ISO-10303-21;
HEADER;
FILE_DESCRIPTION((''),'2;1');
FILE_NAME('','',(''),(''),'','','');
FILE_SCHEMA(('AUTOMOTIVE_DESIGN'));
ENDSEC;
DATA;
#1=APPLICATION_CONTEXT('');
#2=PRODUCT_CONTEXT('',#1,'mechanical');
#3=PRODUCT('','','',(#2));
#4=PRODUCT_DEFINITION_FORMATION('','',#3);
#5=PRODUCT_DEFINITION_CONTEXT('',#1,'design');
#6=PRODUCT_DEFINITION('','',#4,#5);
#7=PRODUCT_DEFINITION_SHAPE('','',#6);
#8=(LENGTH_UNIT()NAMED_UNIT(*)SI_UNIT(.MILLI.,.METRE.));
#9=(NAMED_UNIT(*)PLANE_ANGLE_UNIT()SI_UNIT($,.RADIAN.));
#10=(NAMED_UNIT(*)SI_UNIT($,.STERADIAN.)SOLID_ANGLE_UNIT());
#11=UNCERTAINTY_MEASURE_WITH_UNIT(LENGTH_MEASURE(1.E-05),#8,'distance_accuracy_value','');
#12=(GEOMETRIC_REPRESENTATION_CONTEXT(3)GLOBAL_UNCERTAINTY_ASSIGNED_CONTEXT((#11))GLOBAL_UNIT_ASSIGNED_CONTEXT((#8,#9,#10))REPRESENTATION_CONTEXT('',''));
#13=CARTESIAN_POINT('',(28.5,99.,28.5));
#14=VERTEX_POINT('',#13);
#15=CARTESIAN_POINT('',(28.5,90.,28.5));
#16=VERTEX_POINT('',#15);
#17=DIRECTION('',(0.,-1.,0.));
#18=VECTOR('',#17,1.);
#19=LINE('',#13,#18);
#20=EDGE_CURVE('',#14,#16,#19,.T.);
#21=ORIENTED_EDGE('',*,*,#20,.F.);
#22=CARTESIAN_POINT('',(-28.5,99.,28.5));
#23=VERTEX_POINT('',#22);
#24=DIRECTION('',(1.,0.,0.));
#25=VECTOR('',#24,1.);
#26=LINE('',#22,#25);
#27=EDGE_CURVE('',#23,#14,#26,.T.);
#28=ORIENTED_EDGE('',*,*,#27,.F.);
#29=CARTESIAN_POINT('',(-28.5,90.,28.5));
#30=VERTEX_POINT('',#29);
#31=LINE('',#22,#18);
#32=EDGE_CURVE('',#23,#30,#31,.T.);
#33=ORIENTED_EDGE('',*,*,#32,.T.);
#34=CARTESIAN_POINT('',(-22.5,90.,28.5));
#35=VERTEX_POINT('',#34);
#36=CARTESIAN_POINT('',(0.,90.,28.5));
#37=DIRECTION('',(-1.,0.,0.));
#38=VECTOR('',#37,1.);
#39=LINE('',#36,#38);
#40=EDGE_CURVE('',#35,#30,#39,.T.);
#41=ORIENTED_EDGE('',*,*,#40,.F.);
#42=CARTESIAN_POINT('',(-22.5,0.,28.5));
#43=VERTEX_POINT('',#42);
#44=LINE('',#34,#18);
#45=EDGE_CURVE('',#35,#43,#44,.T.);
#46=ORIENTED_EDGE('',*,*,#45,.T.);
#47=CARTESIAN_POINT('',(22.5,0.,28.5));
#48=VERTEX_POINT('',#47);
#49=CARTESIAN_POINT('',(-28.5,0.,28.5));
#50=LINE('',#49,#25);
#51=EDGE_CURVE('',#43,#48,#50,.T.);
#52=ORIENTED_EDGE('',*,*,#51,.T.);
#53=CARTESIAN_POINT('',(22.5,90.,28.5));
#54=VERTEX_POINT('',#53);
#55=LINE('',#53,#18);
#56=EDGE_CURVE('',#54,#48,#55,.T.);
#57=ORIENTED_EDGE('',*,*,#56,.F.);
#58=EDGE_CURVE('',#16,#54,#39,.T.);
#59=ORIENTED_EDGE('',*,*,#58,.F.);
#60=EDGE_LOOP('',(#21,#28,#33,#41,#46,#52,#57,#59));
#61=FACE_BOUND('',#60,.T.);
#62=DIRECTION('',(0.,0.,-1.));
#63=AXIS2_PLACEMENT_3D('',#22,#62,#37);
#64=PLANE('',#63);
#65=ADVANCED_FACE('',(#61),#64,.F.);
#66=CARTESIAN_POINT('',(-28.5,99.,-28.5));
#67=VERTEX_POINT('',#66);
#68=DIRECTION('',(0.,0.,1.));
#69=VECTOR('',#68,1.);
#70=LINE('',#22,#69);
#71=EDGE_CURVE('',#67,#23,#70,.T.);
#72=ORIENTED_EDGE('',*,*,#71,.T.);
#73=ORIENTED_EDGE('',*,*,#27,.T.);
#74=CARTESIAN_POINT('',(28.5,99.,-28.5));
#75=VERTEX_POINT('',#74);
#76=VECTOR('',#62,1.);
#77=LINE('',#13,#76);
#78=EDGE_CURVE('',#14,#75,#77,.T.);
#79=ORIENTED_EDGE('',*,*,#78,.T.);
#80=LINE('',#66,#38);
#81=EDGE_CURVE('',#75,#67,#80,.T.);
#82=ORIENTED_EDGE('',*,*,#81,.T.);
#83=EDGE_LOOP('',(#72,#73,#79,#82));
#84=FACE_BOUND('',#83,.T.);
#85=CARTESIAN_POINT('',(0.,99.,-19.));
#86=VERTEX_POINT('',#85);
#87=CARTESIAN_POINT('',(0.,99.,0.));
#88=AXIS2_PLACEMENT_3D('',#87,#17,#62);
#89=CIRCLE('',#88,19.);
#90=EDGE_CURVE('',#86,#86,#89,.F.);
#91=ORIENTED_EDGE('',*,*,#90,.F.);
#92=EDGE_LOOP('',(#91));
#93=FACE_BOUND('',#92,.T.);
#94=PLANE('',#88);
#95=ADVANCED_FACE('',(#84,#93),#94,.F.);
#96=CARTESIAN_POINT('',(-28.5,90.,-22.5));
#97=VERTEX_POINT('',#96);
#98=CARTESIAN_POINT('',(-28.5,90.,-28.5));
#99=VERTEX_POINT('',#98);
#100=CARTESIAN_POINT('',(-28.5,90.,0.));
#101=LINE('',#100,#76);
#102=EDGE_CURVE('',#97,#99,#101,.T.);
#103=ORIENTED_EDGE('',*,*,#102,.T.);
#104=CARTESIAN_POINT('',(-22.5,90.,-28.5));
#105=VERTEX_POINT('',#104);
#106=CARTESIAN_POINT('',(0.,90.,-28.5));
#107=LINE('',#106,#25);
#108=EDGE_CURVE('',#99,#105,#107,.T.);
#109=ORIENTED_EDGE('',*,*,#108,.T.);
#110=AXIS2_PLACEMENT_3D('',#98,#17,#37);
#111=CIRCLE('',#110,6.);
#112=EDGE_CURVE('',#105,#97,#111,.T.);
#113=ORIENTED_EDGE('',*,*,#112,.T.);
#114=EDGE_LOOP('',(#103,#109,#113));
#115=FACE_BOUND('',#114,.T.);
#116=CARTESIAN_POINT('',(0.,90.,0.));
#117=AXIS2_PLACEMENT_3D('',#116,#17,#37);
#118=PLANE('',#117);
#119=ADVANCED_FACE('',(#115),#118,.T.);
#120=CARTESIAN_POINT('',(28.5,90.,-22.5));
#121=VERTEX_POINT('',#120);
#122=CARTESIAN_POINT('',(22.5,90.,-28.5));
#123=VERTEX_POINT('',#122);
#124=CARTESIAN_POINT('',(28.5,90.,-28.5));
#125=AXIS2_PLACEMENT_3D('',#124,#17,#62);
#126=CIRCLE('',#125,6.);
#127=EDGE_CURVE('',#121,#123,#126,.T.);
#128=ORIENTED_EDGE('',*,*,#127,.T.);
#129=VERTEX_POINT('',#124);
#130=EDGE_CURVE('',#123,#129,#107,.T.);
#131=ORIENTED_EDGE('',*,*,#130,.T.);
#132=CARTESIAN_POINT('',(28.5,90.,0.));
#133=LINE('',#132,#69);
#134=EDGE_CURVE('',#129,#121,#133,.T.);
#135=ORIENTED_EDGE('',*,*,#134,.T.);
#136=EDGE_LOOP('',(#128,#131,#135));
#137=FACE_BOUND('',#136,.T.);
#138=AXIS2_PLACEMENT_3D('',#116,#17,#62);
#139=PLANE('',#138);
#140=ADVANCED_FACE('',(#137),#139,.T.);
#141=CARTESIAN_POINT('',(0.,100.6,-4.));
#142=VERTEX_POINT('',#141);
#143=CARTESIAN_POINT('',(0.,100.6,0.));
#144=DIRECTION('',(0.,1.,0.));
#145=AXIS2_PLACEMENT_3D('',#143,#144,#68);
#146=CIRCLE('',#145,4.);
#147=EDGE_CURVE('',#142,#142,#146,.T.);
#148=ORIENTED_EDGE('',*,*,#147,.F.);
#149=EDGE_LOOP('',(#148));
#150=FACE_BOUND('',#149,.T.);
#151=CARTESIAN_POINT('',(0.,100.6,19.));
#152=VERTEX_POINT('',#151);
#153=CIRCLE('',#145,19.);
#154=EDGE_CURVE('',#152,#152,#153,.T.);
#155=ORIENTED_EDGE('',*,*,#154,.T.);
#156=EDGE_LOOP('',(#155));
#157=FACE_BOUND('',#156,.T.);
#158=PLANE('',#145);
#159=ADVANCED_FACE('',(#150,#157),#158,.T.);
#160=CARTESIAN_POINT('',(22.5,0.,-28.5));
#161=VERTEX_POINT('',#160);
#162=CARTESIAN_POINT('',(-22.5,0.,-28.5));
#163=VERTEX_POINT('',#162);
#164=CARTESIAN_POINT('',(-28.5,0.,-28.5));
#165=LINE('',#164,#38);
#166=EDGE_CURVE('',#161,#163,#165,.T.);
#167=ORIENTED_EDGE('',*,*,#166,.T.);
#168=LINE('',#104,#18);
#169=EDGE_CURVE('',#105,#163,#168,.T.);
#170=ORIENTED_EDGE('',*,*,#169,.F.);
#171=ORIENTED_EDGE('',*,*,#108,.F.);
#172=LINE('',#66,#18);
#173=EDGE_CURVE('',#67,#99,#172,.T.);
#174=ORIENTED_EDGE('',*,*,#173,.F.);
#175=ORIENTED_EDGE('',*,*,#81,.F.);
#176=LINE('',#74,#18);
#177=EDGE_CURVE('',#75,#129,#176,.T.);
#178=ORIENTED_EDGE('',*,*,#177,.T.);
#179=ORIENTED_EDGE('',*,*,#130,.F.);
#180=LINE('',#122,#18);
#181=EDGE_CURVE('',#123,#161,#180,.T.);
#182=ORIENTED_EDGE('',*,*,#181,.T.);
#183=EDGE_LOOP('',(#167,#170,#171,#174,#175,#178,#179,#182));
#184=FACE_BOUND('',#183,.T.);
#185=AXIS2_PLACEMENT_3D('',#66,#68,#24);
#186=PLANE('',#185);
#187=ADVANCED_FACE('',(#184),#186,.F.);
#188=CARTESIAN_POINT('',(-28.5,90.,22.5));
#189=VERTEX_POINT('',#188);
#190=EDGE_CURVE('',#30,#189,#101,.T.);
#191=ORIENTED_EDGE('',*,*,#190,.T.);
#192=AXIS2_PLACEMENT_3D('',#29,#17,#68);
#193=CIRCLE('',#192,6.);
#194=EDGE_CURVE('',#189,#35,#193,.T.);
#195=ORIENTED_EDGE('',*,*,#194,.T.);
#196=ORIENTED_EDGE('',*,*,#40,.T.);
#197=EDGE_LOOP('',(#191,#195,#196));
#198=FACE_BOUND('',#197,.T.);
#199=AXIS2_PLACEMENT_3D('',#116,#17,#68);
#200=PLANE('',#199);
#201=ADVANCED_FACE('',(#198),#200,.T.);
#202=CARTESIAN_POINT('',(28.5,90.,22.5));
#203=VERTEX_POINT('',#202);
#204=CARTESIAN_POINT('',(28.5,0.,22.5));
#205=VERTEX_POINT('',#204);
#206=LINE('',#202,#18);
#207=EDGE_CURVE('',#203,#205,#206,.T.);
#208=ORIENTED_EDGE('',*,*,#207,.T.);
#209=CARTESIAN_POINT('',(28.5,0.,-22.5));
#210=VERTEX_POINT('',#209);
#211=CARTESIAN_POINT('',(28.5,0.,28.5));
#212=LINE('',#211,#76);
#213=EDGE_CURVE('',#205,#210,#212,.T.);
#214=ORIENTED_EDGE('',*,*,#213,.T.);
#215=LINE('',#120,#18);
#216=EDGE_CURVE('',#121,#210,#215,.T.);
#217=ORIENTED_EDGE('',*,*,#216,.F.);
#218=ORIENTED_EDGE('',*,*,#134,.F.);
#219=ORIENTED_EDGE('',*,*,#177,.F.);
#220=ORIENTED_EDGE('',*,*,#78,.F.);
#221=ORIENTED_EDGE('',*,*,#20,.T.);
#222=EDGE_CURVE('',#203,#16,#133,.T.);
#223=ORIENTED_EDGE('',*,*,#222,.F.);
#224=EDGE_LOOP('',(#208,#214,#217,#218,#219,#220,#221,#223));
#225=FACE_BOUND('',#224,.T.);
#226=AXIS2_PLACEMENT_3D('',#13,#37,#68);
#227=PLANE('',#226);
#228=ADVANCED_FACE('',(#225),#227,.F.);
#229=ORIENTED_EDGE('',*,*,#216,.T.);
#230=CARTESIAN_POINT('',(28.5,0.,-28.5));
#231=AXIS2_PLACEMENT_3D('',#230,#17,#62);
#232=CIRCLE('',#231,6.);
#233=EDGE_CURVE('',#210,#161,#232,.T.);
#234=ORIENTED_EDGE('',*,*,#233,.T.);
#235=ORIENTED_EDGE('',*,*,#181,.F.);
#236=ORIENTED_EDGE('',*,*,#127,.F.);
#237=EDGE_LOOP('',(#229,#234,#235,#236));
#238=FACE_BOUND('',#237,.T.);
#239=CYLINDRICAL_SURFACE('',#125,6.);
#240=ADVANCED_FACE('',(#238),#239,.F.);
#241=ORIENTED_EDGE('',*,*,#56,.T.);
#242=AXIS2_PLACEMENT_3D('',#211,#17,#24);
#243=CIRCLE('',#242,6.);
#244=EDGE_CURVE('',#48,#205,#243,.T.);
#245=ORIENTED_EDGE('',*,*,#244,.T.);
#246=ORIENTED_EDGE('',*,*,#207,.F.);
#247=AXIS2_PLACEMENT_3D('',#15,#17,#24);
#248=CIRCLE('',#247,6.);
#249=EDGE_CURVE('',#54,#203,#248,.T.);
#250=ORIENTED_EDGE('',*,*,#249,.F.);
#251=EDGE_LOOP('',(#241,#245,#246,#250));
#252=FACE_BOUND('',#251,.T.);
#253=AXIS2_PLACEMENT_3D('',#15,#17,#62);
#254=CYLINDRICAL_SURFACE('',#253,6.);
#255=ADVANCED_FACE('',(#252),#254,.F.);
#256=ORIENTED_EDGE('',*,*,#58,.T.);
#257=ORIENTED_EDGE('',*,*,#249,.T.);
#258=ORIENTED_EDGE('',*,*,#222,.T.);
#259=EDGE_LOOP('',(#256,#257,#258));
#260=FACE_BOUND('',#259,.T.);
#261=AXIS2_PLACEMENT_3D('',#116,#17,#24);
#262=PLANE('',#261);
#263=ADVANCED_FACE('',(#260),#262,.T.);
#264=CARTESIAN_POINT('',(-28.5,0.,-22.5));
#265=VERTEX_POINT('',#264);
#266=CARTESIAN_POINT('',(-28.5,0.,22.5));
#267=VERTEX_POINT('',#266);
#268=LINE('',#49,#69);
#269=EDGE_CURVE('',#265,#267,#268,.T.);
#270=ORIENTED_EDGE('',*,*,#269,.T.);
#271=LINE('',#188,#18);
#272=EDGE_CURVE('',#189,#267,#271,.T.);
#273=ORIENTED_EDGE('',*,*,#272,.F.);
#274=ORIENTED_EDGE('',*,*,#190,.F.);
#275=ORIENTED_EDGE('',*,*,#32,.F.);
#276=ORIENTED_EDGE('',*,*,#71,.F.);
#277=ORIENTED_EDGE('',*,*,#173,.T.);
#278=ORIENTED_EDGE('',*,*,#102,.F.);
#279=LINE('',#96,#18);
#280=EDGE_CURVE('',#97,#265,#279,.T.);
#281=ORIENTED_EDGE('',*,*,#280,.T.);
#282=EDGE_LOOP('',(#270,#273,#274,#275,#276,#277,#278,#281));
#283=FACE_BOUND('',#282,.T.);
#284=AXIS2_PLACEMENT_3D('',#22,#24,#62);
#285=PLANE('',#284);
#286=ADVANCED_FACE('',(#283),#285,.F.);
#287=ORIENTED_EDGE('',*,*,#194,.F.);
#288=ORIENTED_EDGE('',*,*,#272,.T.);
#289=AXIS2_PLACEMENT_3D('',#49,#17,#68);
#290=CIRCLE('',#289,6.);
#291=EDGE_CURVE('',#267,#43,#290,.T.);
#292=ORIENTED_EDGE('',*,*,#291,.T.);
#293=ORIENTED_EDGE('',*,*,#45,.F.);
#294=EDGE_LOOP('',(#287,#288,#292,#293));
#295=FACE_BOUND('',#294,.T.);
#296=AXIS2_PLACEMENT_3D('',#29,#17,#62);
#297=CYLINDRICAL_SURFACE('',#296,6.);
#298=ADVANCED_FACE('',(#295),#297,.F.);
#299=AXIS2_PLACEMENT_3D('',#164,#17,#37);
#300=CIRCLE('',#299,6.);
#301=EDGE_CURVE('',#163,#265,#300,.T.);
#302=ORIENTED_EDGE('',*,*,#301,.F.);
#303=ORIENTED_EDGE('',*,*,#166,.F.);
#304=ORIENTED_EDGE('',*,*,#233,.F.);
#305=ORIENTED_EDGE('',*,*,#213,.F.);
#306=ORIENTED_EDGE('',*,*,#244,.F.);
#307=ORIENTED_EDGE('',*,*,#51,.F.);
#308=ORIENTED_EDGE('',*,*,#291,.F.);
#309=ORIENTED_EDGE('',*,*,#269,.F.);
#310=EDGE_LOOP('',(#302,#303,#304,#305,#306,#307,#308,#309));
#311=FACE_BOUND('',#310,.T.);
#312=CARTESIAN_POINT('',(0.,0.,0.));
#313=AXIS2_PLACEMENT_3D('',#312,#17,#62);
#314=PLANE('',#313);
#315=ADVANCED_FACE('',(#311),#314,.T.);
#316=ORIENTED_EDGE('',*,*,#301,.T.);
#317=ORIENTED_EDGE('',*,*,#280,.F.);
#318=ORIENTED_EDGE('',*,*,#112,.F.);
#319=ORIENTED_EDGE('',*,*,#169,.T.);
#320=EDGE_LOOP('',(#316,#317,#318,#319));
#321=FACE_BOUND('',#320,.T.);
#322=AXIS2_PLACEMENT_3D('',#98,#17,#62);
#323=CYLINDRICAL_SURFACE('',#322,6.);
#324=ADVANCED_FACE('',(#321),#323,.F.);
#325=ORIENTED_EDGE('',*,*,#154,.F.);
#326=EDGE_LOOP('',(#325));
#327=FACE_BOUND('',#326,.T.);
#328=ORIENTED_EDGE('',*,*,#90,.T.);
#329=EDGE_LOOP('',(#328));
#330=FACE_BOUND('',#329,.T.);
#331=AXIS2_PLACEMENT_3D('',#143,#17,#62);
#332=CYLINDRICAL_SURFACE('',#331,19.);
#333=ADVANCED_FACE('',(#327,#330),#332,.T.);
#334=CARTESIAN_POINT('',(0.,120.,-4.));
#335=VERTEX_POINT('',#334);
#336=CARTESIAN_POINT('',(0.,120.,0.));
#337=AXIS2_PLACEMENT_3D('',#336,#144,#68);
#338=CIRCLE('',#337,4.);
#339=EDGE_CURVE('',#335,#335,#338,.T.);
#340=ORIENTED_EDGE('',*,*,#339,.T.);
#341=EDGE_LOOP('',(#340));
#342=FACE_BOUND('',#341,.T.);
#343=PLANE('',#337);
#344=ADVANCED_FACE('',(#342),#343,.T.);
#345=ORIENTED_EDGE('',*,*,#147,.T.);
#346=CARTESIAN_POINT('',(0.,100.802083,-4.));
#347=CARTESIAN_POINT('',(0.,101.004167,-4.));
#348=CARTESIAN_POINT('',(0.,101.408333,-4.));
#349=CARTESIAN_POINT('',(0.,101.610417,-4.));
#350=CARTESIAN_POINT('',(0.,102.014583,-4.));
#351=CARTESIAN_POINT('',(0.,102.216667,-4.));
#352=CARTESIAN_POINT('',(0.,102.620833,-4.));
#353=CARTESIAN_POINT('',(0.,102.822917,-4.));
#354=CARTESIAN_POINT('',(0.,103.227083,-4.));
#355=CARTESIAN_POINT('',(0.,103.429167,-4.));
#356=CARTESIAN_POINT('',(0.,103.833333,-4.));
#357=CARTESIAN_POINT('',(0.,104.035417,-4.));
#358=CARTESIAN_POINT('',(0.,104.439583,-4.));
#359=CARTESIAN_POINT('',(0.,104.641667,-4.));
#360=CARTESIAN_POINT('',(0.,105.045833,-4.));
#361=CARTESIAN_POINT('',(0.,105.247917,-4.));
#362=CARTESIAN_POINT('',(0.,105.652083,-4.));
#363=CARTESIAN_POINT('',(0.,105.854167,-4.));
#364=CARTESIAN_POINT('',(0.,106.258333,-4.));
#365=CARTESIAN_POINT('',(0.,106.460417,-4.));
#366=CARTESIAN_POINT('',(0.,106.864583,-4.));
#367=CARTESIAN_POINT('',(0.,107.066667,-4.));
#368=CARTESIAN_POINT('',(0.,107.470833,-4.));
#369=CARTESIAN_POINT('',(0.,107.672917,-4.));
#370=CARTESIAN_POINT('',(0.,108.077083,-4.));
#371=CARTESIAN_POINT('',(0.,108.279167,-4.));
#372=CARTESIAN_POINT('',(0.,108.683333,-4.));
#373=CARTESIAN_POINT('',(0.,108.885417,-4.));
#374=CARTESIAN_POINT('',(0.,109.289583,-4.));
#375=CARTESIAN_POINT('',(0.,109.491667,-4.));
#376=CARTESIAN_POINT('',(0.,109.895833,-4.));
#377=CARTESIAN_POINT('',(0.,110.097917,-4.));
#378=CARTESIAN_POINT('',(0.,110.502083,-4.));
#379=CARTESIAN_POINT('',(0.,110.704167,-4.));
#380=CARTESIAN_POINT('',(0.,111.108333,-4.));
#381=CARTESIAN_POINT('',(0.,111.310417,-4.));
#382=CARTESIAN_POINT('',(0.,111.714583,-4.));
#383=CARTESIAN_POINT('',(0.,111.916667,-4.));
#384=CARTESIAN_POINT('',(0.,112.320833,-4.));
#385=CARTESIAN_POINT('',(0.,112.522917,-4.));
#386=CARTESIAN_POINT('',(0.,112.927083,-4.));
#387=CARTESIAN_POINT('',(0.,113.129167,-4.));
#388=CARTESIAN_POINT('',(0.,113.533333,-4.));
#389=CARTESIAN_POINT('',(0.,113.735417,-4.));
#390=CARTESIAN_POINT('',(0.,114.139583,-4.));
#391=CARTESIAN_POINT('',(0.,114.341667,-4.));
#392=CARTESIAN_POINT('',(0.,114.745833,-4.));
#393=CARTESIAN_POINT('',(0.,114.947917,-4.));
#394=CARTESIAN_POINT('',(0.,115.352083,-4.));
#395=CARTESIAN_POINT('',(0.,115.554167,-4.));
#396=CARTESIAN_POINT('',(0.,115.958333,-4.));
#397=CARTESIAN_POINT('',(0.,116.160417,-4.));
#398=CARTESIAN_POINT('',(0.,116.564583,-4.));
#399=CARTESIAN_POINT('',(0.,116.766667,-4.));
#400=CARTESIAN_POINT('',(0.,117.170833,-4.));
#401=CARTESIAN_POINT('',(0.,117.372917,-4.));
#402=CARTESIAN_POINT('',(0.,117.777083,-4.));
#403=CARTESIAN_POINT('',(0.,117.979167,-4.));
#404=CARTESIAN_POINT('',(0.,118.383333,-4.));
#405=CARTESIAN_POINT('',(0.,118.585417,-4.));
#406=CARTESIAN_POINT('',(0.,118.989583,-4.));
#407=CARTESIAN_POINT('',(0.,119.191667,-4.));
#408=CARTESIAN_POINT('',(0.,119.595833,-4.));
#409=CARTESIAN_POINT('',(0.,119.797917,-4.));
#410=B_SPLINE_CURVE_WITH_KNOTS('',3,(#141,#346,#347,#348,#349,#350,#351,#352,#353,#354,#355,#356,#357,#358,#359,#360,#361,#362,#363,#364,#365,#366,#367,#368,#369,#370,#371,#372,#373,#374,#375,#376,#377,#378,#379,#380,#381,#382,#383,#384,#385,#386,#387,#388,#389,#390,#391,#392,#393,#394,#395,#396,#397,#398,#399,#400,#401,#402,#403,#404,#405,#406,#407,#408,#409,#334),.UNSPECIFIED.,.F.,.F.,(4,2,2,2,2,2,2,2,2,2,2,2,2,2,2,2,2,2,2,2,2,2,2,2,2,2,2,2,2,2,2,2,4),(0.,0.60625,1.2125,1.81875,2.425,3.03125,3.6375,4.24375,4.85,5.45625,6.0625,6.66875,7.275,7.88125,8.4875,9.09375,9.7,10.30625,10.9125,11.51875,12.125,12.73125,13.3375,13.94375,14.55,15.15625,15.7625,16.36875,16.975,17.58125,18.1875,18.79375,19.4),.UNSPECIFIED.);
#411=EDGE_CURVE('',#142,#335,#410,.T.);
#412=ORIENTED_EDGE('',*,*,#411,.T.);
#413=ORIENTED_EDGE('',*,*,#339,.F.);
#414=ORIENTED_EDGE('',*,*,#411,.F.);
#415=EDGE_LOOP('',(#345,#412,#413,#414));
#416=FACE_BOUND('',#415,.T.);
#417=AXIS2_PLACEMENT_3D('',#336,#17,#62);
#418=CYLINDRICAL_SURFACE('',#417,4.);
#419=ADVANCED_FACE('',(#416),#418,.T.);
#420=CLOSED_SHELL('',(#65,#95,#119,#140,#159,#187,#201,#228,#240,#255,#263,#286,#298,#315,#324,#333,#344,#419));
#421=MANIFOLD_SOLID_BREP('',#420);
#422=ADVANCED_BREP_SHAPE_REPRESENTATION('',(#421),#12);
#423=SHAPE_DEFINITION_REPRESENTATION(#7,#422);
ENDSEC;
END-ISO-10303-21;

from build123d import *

# Parameters (mm, degrees)
SKETCH_1_W               = 57
SKETCH_1_H               = 57
EXTRUDE_1_DEPTH          = 99
CUT_EXTRUDE_1_DEPTH      = 90
SKETCH_3_R               = 4
EXTRUDE_2_DEPTH          = 21
PATTERN_CIRCULAR_1_COUNT = 4
SKETCH_5_R               = 19
EXTRUDE_3_DEPTH          = 1.6


with BuildPart() as part:
    # 草图1 → 凸台-拉伸1 (new body)
    with BuildSketch(Plane(origin=(0, 0, 0), x_dir=(1, 0, 0), z_dir=(0, 1, 0))):
        Rectangle(SKETCH_1_W, SKETCH_1_H)
    extrude(amount=EXTRUDE_1_DEPTH)

    # 草图2 → 切除-拉伸1 (cut)
    with BuildSketch(Plane.XZ):
        with BuildLine():
            Line((28.5, -28.5), (28.5, -22.5))
            ThreePointArc((28.5, -22.5), (24.257359313, -24.257359313), (22.5, -28.5))
            Line((22.5, -28.5), (28.5, -28.5))
        make_face()
    cut_extrude_1 = extrude(amount=-CUT_EXTRUDE_1_DEPTH, mode=Mode.SUBTRACT)

    # 草图3 → 凸台-拉伸2 (add)
    with BuildSketch(Plane(origin=(0, 99, 0), x_dir=(1, 0, 0), z_dir=(0, 1, 0))):
        Circle(SKETCH_3_R)
    extrude(amount=EXTRUDE_2_DEPTH)

    # 阵列(圆周)1: 切除-拉伸1 ×4 about axis
    pattern_circular_1_axis = Axis((0, 120, 0), (0, -1, 0))
    for i in range(1, PATTERN_CIRCULAR_1_COUNT):
        add(cut_extrude_1.rotate(pattern_circular_1_axis, i * 360 / PATTERN_CIRCULAR_1_COUNT), mode=Mode.SUBTRACT)

    # 草图5 → 凸台-拉伸3 (add)
    with BuildSketch(Plane(origin=(0, 99, 0), x_dir=(1, 0, 0), z_dir=(0, 1, 0))):
        Circle(SKETCH_5_R)
    extrude(amount=EXTRUDE_3_DEPTH)


solid = part.part
